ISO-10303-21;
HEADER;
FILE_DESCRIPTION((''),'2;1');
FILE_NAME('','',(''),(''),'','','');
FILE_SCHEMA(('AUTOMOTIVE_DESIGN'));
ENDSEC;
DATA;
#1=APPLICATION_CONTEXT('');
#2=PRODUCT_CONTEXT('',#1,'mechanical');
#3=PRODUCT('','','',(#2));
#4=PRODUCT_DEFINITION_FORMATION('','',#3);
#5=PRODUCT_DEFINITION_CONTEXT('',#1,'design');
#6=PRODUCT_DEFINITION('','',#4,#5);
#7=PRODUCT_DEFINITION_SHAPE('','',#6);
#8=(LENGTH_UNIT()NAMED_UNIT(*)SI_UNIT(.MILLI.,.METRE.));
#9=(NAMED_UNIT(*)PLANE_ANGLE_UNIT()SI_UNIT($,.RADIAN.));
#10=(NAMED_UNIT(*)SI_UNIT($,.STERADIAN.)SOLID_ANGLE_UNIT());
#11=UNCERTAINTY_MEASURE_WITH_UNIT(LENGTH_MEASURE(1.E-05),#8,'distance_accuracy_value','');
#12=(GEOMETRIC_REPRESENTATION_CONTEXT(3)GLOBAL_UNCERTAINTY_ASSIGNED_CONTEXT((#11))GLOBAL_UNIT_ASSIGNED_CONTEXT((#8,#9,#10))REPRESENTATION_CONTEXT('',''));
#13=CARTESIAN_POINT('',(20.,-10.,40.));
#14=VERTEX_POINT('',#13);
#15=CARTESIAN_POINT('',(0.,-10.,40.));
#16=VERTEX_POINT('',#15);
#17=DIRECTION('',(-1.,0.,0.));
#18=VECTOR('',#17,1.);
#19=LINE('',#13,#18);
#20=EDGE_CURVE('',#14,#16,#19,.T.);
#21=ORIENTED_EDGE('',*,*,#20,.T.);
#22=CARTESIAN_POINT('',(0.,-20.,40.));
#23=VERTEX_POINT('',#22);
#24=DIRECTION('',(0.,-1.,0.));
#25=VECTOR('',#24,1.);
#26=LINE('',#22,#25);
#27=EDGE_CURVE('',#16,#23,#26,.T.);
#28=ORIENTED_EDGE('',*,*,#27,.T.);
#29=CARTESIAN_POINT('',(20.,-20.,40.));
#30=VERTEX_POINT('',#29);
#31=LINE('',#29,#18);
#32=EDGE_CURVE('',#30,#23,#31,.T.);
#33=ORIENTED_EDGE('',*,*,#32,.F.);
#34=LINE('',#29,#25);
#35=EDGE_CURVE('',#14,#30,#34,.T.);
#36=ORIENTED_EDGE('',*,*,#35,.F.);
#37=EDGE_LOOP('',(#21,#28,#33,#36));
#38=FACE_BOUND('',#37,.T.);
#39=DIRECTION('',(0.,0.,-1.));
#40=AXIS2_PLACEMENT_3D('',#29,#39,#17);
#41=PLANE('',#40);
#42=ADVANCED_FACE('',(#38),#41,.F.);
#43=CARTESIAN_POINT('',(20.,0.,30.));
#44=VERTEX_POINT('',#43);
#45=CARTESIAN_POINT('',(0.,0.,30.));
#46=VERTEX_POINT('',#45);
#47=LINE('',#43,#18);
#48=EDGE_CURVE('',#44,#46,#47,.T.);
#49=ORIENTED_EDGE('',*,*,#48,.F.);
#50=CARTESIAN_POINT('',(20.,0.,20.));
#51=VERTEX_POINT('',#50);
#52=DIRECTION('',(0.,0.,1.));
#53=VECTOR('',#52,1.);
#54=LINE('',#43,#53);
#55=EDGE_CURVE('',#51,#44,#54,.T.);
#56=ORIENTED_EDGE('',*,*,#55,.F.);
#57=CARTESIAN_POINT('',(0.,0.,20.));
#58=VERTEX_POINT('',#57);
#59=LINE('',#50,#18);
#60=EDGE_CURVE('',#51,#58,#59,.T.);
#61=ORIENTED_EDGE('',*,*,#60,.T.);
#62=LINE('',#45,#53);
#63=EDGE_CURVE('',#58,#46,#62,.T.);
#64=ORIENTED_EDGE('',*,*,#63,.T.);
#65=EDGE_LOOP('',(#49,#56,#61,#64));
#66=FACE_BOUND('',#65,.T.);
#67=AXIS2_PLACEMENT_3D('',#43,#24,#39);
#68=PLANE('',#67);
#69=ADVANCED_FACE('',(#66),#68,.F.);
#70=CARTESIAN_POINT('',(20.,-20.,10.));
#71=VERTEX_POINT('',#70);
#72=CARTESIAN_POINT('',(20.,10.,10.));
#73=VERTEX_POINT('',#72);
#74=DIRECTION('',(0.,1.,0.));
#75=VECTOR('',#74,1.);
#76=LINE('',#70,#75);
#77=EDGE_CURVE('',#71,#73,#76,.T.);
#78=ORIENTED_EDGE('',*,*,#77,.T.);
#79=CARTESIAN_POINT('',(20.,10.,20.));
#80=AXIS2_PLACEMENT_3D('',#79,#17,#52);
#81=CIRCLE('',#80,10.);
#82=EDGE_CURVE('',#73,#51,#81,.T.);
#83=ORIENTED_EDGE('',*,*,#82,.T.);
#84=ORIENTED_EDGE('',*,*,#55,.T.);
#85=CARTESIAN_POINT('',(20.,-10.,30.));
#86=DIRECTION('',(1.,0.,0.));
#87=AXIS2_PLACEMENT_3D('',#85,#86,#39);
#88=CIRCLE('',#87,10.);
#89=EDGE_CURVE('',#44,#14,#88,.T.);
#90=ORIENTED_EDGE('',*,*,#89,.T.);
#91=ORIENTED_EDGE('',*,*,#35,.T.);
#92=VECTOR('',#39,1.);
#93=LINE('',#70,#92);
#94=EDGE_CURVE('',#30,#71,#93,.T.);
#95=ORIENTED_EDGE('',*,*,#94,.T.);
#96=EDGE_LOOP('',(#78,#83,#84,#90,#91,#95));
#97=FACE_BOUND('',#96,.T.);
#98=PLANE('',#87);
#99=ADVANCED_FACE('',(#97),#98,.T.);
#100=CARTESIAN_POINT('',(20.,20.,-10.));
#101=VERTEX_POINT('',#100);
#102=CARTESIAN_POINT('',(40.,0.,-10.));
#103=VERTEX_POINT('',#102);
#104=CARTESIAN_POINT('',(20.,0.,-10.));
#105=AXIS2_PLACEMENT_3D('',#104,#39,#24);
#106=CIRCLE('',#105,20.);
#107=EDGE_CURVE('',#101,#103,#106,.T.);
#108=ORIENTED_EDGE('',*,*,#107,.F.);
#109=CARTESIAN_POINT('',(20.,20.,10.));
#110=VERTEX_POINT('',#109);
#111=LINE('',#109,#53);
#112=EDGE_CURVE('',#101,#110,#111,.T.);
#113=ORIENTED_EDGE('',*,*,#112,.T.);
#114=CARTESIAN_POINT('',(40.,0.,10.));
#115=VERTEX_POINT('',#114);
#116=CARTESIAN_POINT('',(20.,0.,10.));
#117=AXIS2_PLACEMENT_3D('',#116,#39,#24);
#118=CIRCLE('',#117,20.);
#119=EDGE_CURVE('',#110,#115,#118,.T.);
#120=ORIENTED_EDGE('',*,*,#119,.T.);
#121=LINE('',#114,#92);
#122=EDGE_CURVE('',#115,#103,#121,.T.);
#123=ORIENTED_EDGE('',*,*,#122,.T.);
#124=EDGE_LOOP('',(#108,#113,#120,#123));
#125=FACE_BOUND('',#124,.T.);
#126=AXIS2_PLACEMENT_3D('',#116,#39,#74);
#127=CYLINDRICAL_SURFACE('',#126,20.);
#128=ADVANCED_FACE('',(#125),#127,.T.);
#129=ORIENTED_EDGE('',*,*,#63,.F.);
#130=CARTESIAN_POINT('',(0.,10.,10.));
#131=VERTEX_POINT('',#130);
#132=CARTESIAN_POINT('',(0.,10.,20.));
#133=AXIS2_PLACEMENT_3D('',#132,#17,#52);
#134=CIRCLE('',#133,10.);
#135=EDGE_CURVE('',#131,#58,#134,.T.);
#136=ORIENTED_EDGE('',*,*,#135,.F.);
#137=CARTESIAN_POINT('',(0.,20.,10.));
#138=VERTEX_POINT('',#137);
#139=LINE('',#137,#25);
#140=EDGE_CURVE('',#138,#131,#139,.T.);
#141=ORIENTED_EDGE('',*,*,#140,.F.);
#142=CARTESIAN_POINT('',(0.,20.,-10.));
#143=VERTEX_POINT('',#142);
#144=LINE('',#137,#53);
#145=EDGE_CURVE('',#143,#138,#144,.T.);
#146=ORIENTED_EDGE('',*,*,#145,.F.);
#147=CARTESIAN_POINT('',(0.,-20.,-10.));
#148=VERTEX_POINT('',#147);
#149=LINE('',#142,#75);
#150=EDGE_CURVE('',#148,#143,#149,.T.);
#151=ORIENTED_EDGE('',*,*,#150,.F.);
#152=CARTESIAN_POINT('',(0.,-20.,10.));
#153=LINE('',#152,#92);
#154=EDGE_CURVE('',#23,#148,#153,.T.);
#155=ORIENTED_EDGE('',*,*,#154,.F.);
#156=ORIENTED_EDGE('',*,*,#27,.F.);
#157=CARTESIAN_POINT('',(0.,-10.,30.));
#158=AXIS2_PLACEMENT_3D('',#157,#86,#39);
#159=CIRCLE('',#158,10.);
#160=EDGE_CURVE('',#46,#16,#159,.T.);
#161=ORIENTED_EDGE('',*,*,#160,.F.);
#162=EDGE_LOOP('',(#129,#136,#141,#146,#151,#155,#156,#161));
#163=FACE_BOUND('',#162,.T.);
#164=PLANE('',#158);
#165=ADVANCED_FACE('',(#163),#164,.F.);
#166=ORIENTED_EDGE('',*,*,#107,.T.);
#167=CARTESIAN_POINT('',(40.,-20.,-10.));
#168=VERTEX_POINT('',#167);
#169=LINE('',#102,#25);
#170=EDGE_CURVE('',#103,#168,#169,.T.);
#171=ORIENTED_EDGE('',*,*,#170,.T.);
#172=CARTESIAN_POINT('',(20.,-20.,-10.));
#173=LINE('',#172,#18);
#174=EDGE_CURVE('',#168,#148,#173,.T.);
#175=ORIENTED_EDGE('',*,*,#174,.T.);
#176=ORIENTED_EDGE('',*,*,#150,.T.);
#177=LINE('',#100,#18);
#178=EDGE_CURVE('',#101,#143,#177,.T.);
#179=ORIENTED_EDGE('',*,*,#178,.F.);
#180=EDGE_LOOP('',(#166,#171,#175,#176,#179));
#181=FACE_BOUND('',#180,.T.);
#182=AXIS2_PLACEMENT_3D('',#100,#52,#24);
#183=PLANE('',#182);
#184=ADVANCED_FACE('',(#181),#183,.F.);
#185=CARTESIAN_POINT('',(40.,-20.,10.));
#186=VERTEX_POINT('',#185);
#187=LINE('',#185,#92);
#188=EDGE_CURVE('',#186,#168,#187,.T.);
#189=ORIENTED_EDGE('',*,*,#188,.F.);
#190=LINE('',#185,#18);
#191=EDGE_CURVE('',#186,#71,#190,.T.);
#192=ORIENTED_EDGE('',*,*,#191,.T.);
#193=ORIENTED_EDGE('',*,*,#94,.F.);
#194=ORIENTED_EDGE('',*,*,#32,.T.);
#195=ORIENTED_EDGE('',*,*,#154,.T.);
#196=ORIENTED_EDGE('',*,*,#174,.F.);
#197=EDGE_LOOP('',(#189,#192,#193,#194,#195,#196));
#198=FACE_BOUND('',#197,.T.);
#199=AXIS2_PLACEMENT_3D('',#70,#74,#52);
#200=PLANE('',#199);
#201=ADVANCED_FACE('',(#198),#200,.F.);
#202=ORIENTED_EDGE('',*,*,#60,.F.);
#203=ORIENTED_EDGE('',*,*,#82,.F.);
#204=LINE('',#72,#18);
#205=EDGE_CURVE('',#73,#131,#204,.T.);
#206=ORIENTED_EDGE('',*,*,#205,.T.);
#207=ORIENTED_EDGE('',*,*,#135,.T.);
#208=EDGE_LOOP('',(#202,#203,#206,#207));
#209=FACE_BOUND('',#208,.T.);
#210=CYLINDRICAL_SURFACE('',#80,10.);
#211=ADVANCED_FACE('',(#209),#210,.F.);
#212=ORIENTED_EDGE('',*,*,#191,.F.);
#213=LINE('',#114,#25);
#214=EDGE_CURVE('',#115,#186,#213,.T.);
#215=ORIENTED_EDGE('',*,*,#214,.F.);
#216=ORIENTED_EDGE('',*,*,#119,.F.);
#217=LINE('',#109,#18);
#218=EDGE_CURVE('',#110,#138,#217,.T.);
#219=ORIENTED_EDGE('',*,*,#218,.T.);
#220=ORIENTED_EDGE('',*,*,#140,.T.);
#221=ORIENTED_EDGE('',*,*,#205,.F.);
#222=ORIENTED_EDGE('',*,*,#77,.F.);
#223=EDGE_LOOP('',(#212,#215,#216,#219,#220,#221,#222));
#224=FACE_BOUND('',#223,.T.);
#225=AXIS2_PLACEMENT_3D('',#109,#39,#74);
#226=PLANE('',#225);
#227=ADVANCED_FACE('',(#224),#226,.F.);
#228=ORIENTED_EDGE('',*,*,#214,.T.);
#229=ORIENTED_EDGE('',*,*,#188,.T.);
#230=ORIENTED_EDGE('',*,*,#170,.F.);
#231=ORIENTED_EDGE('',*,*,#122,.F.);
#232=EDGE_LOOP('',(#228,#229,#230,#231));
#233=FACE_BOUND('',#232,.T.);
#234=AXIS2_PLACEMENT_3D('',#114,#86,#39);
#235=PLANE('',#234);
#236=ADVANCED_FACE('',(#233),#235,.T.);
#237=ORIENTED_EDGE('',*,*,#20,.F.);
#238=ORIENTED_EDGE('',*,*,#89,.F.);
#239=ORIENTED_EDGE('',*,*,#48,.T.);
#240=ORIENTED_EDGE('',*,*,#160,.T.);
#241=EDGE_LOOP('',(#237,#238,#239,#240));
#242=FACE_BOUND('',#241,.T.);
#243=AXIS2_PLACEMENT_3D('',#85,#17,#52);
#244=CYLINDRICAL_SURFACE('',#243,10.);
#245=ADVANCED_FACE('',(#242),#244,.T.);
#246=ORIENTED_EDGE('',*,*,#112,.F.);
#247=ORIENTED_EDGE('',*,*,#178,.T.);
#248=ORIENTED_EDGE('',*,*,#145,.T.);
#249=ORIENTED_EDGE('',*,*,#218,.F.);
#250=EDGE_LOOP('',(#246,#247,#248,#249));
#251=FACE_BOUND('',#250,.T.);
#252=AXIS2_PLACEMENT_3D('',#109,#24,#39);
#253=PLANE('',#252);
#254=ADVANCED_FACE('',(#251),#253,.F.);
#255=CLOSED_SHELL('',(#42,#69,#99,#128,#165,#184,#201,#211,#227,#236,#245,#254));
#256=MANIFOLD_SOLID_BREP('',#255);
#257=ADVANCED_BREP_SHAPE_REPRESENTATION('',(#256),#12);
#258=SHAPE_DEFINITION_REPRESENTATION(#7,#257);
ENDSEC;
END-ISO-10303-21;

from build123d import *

# Parameters (mm, degrees)
BOSS_EXTRUDE1_DEPTH = 20
BOSS_EXTRUDE2_DEPTH = 20


with BuildPart() as part:
    # Sketch1 → Boss-Extrude1 (new body)
    with BuildSketch(Plane(origin=(0, 0, 0), x_dir=(0, 0, -1), z_dir=(1, 0, 0))):
        with BuildLine():
            Line((-10, -20), (-40, -20))
            Line((-40, -20), (-40, -10))
            ThreePointArc((-40, -10), (-37.071067812, -2.928932188), (-30, 0))
            Line((-30, 0), (-20, 0))
            ThreePointArc((-20, 0), (-12.928932188, 2.928932188), (-10, 10))
            Line((-10, 10), (-10, 20))
            Line((-10, 20), (10, 20))
            Line((10, 20), (10, -20))
            Line((10, -20), (-10, -20))
        make_face()
    extrude(amount=BOSS_EXTRUDE1_DEPTH)

    # Sketch2 → Boss-Extrude2 (add)
    with BuildSketch(Plane(origin=(0, 0, -10), x_dir=(-1, 0, 0), z_dir=(0, 0, -1))):
        with BuildLine():
            Line((-40, 0), (-40, -20))
            Line((-40, -20), (-20, -20))
            Line((-20, -20), (-20, 20))
            ThreePointArc((-20, 20), (-34.142135624, 14.142135624), (-40, 0))
        make_face()
    extrude(amount=-BOSS_EXTRUDE2_DEPTH)


solid = part.part
